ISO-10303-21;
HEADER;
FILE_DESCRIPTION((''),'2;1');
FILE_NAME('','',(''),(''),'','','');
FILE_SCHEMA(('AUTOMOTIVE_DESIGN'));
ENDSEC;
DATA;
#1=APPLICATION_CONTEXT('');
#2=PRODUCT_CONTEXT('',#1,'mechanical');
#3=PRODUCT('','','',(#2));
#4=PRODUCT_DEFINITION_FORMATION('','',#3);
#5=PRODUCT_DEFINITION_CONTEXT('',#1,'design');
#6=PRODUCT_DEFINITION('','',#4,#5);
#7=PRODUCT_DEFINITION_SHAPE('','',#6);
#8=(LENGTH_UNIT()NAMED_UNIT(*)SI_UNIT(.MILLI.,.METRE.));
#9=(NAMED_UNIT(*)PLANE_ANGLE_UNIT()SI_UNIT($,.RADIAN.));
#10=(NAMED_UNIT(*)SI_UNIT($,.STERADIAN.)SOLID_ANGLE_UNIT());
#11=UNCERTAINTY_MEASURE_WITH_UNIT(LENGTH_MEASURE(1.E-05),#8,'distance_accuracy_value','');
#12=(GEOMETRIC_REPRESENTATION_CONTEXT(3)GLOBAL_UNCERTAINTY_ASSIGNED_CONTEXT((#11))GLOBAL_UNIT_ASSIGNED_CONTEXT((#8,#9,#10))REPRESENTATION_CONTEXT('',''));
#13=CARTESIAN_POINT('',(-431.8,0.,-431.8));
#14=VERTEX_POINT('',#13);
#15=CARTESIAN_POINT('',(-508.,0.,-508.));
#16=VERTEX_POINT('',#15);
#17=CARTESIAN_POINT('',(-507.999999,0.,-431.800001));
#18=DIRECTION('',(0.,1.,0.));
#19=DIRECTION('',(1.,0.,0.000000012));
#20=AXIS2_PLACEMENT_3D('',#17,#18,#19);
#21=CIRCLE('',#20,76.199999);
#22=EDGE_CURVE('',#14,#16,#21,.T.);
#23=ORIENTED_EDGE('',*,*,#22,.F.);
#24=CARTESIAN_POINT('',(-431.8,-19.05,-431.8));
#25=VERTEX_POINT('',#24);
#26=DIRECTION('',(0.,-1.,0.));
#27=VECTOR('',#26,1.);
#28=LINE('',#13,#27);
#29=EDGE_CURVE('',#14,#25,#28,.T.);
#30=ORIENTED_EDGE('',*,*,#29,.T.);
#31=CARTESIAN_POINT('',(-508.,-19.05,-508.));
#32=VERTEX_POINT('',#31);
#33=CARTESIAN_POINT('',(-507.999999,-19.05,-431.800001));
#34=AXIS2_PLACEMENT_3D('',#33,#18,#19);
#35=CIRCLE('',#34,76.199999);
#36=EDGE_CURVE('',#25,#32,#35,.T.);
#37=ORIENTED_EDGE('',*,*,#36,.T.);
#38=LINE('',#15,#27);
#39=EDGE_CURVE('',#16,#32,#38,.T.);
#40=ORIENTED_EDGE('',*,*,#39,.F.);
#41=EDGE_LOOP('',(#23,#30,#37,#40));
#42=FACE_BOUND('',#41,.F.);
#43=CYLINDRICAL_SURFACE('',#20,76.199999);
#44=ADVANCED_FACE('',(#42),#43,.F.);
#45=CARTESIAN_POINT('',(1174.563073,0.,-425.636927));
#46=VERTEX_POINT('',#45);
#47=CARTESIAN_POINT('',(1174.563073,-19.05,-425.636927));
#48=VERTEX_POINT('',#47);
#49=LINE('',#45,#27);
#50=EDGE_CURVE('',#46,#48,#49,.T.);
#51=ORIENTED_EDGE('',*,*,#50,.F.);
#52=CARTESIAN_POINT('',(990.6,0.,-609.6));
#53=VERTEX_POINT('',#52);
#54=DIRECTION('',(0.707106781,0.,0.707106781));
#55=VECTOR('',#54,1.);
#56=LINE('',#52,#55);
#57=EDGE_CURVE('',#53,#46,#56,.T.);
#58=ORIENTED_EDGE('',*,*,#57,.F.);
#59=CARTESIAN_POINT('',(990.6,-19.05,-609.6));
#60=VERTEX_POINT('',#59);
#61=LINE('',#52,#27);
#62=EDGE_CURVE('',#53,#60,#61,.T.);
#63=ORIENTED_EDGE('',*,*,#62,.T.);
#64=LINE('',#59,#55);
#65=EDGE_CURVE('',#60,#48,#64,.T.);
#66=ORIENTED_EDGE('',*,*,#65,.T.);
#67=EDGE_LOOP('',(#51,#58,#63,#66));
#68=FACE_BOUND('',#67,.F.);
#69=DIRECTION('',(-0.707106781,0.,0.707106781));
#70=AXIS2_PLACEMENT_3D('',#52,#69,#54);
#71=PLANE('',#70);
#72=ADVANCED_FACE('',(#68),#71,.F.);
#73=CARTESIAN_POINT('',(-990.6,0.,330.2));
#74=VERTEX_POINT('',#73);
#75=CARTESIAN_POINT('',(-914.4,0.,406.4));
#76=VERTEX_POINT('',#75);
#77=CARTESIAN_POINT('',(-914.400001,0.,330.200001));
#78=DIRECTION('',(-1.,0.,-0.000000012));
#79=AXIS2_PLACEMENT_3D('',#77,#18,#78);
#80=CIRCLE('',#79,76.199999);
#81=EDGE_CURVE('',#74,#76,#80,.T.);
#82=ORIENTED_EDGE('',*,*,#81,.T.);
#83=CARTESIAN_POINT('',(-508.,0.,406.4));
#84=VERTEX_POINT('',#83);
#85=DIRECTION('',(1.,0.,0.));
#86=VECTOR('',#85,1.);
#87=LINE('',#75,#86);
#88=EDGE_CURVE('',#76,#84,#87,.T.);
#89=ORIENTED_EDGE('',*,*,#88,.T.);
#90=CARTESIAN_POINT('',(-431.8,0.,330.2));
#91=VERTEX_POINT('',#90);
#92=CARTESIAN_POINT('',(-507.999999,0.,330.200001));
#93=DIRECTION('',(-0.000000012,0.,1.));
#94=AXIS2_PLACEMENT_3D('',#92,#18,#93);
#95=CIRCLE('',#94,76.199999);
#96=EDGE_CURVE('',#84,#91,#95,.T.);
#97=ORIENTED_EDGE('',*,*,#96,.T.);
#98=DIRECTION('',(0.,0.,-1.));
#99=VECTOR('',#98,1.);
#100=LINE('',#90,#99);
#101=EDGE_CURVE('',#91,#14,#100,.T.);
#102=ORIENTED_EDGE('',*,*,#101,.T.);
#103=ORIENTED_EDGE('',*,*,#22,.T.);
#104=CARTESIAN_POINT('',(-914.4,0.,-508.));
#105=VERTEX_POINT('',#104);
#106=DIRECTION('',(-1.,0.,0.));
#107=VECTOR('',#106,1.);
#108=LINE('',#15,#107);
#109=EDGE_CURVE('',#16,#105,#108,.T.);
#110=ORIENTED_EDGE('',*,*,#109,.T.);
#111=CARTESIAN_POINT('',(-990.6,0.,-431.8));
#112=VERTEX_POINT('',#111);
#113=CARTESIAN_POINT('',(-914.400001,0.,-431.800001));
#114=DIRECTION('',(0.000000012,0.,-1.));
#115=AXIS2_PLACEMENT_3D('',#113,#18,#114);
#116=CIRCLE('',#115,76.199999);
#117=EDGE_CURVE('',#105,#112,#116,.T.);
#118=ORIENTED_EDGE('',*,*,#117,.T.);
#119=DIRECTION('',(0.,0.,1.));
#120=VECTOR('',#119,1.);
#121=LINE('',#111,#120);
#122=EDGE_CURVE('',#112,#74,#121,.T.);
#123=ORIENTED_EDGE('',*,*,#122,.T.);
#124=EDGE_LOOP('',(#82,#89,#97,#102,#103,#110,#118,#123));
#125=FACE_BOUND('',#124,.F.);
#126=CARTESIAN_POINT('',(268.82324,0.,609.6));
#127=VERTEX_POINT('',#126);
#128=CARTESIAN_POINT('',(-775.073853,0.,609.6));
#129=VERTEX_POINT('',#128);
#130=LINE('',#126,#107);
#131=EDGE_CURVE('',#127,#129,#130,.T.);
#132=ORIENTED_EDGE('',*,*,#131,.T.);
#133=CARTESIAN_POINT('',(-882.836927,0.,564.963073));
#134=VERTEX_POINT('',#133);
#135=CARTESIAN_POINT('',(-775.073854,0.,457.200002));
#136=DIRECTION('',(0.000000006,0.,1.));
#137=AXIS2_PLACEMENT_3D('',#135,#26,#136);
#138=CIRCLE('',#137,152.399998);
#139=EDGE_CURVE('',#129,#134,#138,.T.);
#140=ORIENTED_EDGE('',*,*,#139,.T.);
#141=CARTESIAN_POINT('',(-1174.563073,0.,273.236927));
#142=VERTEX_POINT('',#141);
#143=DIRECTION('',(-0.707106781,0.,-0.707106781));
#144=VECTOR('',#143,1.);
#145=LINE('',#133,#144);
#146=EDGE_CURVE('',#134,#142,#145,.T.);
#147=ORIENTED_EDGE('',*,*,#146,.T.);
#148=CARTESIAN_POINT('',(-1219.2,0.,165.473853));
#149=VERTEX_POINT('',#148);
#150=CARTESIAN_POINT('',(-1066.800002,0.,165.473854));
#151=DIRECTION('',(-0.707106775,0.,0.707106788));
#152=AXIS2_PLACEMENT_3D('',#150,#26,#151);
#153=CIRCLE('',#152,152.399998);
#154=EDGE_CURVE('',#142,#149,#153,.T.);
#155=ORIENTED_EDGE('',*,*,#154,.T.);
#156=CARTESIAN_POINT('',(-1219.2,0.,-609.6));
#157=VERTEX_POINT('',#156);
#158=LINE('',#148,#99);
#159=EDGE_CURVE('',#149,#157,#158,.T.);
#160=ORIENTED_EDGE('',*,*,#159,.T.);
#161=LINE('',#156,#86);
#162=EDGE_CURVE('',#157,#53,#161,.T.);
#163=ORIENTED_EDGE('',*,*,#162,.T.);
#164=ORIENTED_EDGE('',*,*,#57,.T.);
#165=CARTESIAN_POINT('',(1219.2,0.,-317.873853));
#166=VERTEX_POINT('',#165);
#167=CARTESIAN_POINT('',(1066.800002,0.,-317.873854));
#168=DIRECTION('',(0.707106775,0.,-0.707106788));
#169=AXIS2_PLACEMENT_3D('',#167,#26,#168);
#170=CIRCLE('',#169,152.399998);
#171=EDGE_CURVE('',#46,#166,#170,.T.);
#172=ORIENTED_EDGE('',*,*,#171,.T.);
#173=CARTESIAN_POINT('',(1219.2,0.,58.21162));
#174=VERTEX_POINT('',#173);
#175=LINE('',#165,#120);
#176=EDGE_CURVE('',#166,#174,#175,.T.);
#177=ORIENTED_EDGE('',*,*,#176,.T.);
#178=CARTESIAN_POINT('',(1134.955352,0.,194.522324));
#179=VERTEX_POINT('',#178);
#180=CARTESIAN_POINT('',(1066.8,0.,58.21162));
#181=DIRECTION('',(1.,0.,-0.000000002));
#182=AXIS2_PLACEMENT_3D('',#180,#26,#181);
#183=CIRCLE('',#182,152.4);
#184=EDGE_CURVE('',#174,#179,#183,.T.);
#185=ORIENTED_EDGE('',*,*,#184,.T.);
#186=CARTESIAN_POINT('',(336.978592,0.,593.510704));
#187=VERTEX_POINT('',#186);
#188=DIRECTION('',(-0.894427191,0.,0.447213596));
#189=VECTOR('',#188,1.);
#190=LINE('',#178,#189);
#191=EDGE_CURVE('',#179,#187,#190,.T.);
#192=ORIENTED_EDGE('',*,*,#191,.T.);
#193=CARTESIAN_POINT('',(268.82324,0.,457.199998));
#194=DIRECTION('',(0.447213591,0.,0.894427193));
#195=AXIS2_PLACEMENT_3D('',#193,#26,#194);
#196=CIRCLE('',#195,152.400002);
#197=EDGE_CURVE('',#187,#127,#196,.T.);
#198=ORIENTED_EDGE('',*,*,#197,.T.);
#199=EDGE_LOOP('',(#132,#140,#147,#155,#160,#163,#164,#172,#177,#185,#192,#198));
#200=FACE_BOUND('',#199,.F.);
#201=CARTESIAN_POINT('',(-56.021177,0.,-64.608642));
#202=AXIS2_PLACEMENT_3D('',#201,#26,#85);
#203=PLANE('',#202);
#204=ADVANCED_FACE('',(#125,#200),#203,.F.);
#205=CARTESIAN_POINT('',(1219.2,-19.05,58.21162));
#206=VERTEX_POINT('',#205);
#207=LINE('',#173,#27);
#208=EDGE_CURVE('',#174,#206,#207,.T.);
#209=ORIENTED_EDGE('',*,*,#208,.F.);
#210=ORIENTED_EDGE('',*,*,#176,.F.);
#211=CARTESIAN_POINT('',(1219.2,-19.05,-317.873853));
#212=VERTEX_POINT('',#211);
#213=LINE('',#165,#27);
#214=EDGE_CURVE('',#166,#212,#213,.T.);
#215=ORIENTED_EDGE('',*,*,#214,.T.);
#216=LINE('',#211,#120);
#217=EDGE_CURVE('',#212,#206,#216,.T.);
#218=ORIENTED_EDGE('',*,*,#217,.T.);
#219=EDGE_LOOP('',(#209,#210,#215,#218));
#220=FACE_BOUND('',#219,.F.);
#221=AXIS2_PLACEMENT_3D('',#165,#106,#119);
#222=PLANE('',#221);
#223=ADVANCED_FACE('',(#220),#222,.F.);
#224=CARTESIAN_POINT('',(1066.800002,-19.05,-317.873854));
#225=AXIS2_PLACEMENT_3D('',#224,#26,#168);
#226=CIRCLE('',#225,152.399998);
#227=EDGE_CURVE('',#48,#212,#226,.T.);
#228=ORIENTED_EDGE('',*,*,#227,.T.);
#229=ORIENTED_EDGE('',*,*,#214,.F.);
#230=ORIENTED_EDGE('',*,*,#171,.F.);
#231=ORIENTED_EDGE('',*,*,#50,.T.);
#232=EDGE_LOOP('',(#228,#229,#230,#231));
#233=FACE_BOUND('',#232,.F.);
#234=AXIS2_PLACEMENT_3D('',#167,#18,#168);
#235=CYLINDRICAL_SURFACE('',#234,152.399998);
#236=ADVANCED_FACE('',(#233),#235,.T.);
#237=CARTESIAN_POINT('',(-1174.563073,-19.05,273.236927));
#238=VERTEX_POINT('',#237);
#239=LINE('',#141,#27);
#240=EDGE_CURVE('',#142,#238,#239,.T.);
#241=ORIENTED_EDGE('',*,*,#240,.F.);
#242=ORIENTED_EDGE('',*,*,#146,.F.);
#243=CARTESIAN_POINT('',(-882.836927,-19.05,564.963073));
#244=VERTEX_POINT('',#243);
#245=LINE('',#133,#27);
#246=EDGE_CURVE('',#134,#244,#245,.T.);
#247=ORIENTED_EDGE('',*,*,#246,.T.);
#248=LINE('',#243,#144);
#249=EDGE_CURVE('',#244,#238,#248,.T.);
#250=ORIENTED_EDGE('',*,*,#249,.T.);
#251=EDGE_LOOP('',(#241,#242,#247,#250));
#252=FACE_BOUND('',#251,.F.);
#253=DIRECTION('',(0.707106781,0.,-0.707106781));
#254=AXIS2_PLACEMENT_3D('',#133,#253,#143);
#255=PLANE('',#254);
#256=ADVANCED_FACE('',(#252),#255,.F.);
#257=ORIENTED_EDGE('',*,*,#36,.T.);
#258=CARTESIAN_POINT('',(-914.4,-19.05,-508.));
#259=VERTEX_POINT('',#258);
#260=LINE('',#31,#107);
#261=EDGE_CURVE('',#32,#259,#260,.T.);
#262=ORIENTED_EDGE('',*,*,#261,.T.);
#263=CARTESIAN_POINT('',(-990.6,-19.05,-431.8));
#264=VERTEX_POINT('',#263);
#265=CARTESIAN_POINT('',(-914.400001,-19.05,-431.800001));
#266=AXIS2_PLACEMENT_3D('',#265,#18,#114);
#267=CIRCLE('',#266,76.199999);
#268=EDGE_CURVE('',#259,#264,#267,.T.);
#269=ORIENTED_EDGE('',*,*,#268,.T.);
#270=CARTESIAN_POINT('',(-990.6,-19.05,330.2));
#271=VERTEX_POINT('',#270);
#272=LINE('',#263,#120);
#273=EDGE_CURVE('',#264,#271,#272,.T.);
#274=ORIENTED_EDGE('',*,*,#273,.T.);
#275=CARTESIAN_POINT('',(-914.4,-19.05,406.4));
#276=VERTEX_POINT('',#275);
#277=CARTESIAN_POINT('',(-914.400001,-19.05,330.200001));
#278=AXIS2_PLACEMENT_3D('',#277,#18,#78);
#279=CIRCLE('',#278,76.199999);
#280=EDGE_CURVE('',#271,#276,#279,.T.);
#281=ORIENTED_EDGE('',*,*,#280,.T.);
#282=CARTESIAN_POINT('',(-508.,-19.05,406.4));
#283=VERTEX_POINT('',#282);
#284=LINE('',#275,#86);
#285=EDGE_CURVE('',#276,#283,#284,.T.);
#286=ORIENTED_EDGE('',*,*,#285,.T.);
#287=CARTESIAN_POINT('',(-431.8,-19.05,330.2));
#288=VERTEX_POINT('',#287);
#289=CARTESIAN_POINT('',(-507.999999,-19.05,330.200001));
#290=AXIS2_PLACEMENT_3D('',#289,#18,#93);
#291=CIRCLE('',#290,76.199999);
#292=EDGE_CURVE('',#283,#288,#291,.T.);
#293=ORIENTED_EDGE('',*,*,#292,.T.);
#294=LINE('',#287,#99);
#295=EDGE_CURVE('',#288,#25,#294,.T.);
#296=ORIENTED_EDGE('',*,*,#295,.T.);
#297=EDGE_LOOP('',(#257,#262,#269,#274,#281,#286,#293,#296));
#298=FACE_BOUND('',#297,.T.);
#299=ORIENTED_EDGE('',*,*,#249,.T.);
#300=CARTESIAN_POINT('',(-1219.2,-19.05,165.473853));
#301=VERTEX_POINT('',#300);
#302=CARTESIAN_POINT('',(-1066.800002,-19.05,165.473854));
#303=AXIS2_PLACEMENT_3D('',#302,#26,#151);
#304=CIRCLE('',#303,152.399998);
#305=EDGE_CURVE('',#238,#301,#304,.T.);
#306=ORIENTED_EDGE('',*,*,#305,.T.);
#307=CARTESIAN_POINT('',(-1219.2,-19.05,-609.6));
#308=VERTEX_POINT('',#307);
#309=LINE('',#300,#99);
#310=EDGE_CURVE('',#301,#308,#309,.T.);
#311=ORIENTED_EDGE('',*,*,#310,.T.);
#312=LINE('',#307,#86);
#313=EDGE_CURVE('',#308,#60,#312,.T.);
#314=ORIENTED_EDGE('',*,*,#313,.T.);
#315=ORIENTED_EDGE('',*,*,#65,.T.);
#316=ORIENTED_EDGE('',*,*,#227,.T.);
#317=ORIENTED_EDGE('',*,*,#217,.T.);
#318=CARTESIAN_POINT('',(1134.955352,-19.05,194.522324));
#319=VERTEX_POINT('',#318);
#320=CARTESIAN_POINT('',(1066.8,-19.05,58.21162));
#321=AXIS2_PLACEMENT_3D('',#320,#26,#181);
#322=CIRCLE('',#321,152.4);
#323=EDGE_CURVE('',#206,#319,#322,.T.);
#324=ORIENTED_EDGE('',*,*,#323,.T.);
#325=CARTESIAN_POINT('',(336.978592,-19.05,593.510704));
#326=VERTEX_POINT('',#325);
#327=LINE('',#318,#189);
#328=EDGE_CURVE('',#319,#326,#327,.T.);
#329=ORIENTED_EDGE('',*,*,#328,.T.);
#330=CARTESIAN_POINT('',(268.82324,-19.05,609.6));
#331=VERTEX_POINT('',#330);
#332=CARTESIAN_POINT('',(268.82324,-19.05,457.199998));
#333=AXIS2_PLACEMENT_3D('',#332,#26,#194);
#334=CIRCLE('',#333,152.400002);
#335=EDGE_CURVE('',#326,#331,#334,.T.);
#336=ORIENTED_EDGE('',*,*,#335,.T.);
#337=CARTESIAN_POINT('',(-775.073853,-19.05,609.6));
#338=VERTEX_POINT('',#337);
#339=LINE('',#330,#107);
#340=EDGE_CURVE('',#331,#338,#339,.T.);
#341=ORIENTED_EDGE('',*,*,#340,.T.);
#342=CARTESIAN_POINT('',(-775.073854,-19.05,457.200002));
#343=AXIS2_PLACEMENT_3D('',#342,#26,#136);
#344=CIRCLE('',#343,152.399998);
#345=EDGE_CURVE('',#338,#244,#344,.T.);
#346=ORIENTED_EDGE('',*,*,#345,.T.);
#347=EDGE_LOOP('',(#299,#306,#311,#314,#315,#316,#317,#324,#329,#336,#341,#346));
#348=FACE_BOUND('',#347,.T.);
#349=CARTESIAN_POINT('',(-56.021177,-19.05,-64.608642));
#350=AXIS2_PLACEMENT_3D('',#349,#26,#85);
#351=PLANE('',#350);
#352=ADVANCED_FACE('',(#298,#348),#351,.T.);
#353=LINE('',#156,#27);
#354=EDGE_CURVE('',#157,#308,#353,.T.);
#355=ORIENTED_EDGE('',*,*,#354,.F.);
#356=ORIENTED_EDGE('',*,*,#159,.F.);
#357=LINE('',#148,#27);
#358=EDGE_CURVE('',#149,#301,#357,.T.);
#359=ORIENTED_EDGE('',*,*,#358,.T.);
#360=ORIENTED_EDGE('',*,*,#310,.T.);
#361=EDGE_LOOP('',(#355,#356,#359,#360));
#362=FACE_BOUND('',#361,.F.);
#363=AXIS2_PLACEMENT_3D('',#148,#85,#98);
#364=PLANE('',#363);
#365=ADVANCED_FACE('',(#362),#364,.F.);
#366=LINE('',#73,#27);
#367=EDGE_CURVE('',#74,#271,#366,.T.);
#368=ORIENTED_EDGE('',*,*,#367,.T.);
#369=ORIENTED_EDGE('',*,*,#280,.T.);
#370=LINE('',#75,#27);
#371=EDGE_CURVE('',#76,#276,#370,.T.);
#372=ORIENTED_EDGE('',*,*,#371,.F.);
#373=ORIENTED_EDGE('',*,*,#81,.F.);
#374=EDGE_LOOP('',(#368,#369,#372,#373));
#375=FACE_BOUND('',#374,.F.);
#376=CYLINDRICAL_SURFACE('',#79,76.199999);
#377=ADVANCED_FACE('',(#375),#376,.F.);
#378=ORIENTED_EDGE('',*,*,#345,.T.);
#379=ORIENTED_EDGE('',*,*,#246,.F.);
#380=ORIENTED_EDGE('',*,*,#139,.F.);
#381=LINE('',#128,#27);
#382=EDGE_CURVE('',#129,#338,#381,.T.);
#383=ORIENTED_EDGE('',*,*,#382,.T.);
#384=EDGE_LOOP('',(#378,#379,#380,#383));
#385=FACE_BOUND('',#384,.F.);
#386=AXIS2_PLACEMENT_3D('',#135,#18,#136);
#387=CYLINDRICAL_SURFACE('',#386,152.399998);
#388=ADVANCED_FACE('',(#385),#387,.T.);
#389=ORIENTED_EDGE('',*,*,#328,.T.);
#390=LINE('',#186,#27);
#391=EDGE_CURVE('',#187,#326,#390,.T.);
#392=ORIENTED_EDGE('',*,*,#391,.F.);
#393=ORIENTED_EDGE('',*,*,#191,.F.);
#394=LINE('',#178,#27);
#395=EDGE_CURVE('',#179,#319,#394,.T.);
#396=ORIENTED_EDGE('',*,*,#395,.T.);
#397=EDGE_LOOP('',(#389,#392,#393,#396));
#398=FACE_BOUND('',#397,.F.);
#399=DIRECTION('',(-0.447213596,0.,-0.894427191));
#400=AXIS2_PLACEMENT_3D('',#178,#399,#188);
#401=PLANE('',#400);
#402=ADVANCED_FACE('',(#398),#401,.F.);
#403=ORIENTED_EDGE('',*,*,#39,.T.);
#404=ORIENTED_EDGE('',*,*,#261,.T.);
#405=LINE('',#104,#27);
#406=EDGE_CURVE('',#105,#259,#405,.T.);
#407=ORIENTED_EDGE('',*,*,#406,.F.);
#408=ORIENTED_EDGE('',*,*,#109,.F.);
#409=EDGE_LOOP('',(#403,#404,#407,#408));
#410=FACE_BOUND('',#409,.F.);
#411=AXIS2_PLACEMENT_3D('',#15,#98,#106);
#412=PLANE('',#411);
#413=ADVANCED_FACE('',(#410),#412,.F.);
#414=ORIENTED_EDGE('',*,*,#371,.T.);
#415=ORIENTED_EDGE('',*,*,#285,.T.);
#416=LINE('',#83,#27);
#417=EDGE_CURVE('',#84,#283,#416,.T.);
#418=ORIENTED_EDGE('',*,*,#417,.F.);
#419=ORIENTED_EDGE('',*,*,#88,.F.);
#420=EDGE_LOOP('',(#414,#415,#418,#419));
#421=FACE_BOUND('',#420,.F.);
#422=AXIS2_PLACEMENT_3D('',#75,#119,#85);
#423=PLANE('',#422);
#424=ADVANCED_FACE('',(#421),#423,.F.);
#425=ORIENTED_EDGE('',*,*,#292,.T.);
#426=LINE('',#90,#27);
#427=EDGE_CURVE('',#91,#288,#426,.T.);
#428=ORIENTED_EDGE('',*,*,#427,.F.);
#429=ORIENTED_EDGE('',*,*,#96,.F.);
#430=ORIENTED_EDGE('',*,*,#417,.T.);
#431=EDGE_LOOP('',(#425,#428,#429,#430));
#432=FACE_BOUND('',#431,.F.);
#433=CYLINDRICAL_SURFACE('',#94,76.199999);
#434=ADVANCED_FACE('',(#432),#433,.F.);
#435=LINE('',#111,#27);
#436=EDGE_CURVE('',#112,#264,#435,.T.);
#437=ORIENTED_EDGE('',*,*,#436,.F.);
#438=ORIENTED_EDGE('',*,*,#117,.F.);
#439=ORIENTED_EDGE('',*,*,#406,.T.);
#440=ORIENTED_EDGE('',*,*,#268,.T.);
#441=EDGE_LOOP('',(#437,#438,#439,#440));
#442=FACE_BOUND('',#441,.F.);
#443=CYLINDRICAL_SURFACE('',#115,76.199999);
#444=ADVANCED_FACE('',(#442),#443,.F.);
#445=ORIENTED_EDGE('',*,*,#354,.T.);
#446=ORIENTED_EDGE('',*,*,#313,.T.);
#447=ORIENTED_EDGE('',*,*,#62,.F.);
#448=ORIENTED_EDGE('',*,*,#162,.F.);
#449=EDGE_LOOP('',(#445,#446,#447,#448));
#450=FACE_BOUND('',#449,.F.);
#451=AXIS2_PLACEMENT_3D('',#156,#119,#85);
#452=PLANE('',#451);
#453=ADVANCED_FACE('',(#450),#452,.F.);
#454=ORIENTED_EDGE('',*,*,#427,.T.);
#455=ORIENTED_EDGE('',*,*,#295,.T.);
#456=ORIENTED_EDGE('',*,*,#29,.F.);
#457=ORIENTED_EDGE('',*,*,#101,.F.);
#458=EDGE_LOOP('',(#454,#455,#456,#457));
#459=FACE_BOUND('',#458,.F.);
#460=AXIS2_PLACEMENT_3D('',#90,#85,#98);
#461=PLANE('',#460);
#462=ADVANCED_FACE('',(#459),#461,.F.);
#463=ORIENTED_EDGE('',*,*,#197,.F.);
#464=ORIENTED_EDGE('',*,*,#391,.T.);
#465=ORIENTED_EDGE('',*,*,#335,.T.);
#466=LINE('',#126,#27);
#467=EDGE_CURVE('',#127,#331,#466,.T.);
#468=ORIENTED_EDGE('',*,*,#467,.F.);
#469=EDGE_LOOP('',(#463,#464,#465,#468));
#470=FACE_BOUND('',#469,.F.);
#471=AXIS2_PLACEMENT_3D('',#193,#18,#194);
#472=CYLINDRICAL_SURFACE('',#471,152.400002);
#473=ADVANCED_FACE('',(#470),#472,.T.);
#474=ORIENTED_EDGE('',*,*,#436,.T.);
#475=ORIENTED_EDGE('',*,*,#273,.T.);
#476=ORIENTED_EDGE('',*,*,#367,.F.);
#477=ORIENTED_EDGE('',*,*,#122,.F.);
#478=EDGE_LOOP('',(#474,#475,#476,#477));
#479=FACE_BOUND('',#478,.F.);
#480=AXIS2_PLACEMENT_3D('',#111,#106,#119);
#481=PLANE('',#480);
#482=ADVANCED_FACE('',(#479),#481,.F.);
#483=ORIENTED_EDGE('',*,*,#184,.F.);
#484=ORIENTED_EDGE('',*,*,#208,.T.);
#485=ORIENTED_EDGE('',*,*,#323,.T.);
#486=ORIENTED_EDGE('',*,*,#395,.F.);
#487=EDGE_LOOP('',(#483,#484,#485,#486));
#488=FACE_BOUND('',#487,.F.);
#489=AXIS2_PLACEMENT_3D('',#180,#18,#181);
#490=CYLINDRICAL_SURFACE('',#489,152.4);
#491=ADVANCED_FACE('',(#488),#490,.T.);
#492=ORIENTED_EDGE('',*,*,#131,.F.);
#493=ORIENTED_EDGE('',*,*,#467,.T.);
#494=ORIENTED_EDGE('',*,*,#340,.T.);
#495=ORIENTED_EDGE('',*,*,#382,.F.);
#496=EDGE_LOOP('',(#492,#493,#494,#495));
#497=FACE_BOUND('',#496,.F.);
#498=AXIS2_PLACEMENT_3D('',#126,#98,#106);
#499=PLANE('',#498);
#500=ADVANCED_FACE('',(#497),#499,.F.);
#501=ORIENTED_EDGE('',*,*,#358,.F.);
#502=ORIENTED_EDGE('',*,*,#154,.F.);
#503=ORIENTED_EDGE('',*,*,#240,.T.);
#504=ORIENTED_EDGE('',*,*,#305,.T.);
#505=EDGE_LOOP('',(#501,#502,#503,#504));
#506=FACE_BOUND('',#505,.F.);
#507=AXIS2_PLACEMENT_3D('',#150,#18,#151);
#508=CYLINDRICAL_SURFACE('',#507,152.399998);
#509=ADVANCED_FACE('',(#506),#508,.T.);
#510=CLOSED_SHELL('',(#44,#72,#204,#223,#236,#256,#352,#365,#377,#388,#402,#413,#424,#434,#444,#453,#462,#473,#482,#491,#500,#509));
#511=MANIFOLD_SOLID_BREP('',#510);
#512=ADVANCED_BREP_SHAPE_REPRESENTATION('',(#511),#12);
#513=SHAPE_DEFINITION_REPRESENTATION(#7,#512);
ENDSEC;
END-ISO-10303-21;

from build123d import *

# Parameters (mm, degrees)
F1_DEPTH = 19.05


with BuildPart() as f1:
    # F0 (on Front) → F1 (new body)
    with BuildSketch(Plane.XZ):
        with BuildLine():
            ThreePointArc((336.978592, 593.510704), (303.837585, 605.523146), (268.82324, 609.6))
            Line((268.82324, 609.6), (-775.073853, 609.6))
            ThreePointArc((-775.073853, 609.6), (-833.394808, 597.999241), (-882.836927, 564.963073))
            Line((-882.836927, 564.963073), (-1174.563073, 273.236927))
            ThreePointArc((-1174.563073, 273.236927), (-1207.599241, 223.794808), (-1219.2, 165.473853))
            Line((-1219.2, 165.473853), (-1219.2, -609.6))
            Line((-1219.2, -609.6), (990.6, -609.6))
            Line((990.6, -609.6), (1174.563073, -425.636927))
            ThreePointArc((1174.563073, -425.636927), (1207.599241, -376.194808), (1219.2, -317.873853))
            Line((1219.2, -317.873853), (1219.2, 58.21162))
            ThreePointArc((1219.2, 58.21162), (1196.439183, 138.333042), (1134.955352, 194.522324))
            Line((1134.955352, 194.522324), (336.978592, 593.510704))
        make_face()
        with BuildLine():
            ThreePointArc((-990.6, 330.2), (-968.281537, 384.081537), (-914.4, 406.4))
            Line((-914.4, 406.4), (-508, 406.4))
            ThreePointArc((-508, 406.4), (-454.118463, 384.081537), (-431.8, 330.2))
            Line((-431.8, 330.2), (-431.8, -431.8))
            ThreePointArc((-431.8, -431.8), (-454.118463, -485.681537), (-508, -508))
            Line((-508, -508), (-914.4, -508))
            ThreePointArc((-914.4, -508), (-968.281537, -485.681537), (-990.6, -431.8))
            Line((-990.6, -431.8), (-990.6, 330.2))
        make_face(mode=Mode.SUBTRACT)
    extrude(amount=F1_DEPTH)


solid = f1.part
